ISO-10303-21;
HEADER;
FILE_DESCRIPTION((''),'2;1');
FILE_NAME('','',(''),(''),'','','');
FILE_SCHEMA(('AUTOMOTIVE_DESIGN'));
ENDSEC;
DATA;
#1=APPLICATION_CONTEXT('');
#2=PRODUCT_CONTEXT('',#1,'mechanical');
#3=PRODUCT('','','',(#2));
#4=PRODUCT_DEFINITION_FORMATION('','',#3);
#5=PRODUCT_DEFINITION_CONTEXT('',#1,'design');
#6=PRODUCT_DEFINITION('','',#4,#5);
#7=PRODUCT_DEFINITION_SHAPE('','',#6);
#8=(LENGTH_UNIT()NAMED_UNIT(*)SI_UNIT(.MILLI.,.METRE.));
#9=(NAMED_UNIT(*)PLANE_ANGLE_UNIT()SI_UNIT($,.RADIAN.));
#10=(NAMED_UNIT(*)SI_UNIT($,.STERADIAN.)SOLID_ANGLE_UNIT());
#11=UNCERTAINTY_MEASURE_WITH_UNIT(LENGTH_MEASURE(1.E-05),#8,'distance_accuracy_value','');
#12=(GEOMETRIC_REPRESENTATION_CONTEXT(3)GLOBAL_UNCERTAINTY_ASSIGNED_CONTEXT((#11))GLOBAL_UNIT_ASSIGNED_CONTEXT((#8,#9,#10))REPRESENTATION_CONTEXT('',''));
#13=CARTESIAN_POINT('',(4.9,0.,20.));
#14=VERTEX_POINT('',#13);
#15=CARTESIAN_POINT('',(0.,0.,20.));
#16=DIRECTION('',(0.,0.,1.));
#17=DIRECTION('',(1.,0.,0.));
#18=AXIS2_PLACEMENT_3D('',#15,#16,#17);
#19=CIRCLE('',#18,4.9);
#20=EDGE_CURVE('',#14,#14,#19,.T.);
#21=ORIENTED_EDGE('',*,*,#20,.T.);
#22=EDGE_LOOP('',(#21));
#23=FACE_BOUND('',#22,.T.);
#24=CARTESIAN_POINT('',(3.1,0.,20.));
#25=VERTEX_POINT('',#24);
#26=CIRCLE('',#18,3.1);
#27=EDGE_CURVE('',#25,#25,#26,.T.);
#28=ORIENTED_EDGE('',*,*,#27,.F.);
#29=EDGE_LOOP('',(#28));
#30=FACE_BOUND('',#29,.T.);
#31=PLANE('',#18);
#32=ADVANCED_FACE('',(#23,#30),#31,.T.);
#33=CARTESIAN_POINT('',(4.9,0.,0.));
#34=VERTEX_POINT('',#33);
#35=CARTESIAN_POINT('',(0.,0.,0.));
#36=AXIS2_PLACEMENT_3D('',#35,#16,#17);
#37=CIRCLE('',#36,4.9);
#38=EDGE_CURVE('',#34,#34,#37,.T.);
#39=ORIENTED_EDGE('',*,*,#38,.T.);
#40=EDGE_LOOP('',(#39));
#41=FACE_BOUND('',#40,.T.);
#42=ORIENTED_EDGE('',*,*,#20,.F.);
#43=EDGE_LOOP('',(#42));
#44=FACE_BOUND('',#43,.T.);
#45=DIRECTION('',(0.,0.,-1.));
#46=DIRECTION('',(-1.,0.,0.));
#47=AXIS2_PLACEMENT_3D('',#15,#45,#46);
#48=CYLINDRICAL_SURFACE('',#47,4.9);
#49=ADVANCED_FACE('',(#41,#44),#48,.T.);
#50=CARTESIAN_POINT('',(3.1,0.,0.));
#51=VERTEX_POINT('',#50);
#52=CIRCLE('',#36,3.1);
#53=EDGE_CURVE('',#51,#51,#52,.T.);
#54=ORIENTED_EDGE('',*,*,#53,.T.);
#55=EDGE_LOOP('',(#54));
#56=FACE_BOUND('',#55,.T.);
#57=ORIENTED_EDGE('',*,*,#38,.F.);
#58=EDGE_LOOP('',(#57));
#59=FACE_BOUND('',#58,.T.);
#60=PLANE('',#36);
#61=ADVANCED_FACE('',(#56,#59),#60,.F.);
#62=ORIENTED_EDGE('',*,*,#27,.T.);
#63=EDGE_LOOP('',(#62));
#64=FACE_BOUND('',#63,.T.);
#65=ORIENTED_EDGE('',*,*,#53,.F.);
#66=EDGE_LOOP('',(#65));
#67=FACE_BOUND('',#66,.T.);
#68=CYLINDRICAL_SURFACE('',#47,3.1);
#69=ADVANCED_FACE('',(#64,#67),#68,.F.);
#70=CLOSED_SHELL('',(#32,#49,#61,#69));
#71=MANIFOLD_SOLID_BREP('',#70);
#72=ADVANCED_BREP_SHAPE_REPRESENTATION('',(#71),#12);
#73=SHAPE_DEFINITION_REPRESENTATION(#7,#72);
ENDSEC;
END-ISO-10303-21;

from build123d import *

# Parameters (mm, degrees)
SKETCH_1_R      = 4.9
SKETCH_1_R_2    = 3.1
EXTRUDE_1_DEPTH = 20


with BuildPart() as part:
    # ｽｹｯﾁ1 → ﾎﾞｽ - 押し出し1 (new body)
    with BuildSketch(Plane.XY):
        Circle(SKETCH_1_R)
        Circle(SKETCH_1_R_2, mode=Mode.SUBTRACT)
    extrude(amount=EXTRUDE_1_DEPTH)


solid = part.part
